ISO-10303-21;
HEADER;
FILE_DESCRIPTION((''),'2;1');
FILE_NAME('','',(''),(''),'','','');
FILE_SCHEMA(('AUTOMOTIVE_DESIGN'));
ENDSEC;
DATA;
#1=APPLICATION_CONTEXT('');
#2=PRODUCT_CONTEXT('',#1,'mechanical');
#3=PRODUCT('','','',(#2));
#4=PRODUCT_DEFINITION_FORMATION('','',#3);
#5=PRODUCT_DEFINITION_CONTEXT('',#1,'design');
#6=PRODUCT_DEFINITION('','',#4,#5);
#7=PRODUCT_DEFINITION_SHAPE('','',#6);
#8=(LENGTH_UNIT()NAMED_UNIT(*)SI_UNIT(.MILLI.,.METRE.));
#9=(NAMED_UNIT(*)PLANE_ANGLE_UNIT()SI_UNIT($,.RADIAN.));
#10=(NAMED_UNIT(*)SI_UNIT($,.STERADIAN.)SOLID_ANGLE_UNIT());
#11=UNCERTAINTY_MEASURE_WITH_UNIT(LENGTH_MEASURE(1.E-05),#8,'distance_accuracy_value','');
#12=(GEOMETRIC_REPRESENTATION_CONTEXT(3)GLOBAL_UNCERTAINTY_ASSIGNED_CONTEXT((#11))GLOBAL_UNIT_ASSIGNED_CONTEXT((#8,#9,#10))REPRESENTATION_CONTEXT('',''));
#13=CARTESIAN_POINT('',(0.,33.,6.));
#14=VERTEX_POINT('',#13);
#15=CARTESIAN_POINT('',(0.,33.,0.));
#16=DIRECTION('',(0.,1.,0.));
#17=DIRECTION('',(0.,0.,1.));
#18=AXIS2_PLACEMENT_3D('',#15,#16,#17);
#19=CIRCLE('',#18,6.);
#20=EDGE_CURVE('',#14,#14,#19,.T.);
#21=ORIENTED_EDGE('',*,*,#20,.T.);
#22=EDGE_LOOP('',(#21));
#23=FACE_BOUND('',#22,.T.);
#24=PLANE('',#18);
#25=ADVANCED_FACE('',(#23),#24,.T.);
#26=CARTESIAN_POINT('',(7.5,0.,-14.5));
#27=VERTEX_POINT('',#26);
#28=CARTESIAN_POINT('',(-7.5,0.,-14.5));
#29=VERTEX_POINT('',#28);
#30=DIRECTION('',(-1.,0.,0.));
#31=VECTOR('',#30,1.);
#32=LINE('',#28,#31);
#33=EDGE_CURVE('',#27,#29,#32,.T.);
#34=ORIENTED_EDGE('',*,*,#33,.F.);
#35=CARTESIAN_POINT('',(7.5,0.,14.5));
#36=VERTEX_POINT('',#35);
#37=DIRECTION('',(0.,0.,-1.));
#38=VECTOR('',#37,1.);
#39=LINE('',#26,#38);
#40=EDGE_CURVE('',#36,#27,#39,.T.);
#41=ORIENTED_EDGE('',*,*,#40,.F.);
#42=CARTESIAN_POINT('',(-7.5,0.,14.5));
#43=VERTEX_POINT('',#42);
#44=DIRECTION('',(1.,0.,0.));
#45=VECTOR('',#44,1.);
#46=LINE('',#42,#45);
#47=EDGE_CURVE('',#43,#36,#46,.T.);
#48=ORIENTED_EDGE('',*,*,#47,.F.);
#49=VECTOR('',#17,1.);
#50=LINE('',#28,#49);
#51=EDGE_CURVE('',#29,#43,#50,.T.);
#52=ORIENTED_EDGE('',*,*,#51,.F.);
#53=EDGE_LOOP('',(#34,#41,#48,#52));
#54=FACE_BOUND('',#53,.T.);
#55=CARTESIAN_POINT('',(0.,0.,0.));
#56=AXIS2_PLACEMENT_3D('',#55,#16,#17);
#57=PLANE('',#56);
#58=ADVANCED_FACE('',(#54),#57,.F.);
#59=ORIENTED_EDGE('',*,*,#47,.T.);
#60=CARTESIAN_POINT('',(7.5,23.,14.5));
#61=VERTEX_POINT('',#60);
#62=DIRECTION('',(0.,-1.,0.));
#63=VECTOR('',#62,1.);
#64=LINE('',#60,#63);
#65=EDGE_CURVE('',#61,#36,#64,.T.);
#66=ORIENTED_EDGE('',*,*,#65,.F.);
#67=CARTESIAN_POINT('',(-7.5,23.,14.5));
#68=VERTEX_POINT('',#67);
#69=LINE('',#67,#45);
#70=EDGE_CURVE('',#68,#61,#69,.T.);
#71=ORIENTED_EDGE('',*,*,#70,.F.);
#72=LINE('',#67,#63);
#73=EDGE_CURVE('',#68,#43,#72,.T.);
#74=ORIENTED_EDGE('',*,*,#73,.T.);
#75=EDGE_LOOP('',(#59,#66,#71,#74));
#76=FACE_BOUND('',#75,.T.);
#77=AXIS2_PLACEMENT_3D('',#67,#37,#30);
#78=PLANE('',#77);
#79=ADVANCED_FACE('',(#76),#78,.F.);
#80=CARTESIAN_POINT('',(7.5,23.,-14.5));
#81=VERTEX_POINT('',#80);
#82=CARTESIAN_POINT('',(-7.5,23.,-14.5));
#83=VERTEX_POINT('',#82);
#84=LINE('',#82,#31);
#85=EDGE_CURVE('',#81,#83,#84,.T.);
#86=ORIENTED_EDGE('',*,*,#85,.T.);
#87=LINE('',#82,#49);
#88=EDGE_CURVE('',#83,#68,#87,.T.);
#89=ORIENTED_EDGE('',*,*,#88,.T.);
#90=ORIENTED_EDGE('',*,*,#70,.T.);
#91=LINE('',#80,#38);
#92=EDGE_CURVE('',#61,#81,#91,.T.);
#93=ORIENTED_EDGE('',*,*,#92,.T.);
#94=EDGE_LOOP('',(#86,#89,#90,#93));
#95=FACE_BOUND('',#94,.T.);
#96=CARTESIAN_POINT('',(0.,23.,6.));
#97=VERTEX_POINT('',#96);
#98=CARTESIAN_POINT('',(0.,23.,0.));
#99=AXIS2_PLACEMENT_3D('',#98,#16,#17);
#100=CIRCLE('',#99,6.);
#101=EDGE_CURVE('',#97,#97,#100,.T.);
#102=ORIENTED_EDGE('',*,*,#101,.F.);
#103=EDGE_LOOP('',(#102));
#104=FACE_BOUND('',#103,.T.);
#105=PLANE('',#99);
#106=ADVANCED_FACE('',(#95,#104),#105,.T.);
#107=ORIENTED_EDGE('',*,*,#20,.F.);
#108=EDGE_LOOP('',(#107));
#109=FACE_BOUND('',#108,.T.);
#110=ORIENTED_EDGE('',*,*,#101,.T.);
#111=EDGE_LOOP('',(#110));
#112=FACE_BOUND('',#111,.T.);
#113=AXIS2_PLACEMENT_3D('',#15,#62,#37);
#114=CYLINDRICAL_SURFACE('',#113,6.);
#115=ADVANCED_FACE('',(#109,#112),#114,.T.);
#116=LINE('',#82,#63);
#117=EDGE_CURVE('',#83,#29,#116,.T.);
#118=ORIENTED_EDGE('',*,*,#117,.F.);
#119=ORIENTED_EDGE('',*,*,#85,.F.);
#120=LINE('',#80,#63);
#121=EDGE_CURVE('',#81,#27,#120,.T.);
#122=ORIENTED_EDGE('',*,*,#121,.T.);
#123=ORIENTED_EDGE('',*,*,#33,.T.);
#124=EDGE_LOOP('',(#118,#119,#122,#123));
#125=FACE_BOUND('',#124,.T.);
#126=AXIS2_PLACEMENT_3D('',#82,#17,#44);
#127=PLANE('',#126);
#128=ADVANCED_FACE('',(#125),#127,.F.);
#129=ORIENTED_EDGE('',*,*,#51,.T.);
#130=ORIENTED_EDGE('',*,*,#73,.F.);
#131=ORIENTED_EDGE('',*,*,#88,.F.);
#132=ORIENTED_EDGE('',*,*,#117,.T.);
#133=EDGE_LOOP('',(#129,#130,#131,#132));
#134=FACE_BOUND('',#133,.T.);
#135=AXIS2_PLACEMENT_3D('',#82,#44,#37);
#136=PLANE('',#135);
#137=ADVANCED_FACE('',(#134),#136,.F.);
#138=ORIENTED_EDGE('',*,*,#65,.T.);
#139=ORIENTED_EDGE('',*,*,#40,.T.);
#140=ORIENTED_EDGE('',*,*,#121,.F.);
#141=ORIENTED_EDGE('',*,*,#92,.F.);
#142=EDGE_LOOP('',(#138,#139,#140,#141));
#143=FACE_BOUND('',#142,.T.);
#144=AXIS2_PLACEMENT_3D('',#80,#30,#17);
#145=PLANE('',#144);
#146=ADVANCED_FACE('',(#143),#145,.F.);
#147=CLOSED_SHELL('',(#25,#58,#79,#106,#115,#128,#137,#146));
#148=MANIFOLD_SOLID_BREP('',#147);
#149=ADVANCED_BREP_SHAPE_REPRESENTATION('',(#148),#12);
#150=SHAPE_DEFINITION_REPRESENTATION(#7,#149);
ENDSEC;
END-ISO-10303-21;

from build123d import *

# Parameters (mm, degrees)
SKETCH_1_W      = 15
SKETCH_1_H      = 29
EXTRUDE_1_DEPTH = 23
SKETCH_2_R      = 6
EXTRUDE_2_DEPTH = 10


with BuildPart() as part:
    # 草图1 → 凸台-拉伸1 (new body)
    with BuildSketch(Plane(origin=(0, 0, 0), x_dir=(1, 0, 0), z_dir=(0, 1, 0))):
        Rectangle(SKETCH_1_W, SKETCH_1_H)
    extrude(amount=EXTRUDE_1_DEPTH)

    # 草图2 → 凸台-拉伸2 (add)
    with BuildSketch(Plane(origin=(0, 23, 0), x_dir=(1, 0, 0), z_dir=(0, 1, 0))):
        with Locations(Location((0, 0, 0), (0, 0, 270))):
            Circle(SKETCH_2_R)
    extrude(amount=EXTRUDE_2_DEPTH)


solid = part.part
